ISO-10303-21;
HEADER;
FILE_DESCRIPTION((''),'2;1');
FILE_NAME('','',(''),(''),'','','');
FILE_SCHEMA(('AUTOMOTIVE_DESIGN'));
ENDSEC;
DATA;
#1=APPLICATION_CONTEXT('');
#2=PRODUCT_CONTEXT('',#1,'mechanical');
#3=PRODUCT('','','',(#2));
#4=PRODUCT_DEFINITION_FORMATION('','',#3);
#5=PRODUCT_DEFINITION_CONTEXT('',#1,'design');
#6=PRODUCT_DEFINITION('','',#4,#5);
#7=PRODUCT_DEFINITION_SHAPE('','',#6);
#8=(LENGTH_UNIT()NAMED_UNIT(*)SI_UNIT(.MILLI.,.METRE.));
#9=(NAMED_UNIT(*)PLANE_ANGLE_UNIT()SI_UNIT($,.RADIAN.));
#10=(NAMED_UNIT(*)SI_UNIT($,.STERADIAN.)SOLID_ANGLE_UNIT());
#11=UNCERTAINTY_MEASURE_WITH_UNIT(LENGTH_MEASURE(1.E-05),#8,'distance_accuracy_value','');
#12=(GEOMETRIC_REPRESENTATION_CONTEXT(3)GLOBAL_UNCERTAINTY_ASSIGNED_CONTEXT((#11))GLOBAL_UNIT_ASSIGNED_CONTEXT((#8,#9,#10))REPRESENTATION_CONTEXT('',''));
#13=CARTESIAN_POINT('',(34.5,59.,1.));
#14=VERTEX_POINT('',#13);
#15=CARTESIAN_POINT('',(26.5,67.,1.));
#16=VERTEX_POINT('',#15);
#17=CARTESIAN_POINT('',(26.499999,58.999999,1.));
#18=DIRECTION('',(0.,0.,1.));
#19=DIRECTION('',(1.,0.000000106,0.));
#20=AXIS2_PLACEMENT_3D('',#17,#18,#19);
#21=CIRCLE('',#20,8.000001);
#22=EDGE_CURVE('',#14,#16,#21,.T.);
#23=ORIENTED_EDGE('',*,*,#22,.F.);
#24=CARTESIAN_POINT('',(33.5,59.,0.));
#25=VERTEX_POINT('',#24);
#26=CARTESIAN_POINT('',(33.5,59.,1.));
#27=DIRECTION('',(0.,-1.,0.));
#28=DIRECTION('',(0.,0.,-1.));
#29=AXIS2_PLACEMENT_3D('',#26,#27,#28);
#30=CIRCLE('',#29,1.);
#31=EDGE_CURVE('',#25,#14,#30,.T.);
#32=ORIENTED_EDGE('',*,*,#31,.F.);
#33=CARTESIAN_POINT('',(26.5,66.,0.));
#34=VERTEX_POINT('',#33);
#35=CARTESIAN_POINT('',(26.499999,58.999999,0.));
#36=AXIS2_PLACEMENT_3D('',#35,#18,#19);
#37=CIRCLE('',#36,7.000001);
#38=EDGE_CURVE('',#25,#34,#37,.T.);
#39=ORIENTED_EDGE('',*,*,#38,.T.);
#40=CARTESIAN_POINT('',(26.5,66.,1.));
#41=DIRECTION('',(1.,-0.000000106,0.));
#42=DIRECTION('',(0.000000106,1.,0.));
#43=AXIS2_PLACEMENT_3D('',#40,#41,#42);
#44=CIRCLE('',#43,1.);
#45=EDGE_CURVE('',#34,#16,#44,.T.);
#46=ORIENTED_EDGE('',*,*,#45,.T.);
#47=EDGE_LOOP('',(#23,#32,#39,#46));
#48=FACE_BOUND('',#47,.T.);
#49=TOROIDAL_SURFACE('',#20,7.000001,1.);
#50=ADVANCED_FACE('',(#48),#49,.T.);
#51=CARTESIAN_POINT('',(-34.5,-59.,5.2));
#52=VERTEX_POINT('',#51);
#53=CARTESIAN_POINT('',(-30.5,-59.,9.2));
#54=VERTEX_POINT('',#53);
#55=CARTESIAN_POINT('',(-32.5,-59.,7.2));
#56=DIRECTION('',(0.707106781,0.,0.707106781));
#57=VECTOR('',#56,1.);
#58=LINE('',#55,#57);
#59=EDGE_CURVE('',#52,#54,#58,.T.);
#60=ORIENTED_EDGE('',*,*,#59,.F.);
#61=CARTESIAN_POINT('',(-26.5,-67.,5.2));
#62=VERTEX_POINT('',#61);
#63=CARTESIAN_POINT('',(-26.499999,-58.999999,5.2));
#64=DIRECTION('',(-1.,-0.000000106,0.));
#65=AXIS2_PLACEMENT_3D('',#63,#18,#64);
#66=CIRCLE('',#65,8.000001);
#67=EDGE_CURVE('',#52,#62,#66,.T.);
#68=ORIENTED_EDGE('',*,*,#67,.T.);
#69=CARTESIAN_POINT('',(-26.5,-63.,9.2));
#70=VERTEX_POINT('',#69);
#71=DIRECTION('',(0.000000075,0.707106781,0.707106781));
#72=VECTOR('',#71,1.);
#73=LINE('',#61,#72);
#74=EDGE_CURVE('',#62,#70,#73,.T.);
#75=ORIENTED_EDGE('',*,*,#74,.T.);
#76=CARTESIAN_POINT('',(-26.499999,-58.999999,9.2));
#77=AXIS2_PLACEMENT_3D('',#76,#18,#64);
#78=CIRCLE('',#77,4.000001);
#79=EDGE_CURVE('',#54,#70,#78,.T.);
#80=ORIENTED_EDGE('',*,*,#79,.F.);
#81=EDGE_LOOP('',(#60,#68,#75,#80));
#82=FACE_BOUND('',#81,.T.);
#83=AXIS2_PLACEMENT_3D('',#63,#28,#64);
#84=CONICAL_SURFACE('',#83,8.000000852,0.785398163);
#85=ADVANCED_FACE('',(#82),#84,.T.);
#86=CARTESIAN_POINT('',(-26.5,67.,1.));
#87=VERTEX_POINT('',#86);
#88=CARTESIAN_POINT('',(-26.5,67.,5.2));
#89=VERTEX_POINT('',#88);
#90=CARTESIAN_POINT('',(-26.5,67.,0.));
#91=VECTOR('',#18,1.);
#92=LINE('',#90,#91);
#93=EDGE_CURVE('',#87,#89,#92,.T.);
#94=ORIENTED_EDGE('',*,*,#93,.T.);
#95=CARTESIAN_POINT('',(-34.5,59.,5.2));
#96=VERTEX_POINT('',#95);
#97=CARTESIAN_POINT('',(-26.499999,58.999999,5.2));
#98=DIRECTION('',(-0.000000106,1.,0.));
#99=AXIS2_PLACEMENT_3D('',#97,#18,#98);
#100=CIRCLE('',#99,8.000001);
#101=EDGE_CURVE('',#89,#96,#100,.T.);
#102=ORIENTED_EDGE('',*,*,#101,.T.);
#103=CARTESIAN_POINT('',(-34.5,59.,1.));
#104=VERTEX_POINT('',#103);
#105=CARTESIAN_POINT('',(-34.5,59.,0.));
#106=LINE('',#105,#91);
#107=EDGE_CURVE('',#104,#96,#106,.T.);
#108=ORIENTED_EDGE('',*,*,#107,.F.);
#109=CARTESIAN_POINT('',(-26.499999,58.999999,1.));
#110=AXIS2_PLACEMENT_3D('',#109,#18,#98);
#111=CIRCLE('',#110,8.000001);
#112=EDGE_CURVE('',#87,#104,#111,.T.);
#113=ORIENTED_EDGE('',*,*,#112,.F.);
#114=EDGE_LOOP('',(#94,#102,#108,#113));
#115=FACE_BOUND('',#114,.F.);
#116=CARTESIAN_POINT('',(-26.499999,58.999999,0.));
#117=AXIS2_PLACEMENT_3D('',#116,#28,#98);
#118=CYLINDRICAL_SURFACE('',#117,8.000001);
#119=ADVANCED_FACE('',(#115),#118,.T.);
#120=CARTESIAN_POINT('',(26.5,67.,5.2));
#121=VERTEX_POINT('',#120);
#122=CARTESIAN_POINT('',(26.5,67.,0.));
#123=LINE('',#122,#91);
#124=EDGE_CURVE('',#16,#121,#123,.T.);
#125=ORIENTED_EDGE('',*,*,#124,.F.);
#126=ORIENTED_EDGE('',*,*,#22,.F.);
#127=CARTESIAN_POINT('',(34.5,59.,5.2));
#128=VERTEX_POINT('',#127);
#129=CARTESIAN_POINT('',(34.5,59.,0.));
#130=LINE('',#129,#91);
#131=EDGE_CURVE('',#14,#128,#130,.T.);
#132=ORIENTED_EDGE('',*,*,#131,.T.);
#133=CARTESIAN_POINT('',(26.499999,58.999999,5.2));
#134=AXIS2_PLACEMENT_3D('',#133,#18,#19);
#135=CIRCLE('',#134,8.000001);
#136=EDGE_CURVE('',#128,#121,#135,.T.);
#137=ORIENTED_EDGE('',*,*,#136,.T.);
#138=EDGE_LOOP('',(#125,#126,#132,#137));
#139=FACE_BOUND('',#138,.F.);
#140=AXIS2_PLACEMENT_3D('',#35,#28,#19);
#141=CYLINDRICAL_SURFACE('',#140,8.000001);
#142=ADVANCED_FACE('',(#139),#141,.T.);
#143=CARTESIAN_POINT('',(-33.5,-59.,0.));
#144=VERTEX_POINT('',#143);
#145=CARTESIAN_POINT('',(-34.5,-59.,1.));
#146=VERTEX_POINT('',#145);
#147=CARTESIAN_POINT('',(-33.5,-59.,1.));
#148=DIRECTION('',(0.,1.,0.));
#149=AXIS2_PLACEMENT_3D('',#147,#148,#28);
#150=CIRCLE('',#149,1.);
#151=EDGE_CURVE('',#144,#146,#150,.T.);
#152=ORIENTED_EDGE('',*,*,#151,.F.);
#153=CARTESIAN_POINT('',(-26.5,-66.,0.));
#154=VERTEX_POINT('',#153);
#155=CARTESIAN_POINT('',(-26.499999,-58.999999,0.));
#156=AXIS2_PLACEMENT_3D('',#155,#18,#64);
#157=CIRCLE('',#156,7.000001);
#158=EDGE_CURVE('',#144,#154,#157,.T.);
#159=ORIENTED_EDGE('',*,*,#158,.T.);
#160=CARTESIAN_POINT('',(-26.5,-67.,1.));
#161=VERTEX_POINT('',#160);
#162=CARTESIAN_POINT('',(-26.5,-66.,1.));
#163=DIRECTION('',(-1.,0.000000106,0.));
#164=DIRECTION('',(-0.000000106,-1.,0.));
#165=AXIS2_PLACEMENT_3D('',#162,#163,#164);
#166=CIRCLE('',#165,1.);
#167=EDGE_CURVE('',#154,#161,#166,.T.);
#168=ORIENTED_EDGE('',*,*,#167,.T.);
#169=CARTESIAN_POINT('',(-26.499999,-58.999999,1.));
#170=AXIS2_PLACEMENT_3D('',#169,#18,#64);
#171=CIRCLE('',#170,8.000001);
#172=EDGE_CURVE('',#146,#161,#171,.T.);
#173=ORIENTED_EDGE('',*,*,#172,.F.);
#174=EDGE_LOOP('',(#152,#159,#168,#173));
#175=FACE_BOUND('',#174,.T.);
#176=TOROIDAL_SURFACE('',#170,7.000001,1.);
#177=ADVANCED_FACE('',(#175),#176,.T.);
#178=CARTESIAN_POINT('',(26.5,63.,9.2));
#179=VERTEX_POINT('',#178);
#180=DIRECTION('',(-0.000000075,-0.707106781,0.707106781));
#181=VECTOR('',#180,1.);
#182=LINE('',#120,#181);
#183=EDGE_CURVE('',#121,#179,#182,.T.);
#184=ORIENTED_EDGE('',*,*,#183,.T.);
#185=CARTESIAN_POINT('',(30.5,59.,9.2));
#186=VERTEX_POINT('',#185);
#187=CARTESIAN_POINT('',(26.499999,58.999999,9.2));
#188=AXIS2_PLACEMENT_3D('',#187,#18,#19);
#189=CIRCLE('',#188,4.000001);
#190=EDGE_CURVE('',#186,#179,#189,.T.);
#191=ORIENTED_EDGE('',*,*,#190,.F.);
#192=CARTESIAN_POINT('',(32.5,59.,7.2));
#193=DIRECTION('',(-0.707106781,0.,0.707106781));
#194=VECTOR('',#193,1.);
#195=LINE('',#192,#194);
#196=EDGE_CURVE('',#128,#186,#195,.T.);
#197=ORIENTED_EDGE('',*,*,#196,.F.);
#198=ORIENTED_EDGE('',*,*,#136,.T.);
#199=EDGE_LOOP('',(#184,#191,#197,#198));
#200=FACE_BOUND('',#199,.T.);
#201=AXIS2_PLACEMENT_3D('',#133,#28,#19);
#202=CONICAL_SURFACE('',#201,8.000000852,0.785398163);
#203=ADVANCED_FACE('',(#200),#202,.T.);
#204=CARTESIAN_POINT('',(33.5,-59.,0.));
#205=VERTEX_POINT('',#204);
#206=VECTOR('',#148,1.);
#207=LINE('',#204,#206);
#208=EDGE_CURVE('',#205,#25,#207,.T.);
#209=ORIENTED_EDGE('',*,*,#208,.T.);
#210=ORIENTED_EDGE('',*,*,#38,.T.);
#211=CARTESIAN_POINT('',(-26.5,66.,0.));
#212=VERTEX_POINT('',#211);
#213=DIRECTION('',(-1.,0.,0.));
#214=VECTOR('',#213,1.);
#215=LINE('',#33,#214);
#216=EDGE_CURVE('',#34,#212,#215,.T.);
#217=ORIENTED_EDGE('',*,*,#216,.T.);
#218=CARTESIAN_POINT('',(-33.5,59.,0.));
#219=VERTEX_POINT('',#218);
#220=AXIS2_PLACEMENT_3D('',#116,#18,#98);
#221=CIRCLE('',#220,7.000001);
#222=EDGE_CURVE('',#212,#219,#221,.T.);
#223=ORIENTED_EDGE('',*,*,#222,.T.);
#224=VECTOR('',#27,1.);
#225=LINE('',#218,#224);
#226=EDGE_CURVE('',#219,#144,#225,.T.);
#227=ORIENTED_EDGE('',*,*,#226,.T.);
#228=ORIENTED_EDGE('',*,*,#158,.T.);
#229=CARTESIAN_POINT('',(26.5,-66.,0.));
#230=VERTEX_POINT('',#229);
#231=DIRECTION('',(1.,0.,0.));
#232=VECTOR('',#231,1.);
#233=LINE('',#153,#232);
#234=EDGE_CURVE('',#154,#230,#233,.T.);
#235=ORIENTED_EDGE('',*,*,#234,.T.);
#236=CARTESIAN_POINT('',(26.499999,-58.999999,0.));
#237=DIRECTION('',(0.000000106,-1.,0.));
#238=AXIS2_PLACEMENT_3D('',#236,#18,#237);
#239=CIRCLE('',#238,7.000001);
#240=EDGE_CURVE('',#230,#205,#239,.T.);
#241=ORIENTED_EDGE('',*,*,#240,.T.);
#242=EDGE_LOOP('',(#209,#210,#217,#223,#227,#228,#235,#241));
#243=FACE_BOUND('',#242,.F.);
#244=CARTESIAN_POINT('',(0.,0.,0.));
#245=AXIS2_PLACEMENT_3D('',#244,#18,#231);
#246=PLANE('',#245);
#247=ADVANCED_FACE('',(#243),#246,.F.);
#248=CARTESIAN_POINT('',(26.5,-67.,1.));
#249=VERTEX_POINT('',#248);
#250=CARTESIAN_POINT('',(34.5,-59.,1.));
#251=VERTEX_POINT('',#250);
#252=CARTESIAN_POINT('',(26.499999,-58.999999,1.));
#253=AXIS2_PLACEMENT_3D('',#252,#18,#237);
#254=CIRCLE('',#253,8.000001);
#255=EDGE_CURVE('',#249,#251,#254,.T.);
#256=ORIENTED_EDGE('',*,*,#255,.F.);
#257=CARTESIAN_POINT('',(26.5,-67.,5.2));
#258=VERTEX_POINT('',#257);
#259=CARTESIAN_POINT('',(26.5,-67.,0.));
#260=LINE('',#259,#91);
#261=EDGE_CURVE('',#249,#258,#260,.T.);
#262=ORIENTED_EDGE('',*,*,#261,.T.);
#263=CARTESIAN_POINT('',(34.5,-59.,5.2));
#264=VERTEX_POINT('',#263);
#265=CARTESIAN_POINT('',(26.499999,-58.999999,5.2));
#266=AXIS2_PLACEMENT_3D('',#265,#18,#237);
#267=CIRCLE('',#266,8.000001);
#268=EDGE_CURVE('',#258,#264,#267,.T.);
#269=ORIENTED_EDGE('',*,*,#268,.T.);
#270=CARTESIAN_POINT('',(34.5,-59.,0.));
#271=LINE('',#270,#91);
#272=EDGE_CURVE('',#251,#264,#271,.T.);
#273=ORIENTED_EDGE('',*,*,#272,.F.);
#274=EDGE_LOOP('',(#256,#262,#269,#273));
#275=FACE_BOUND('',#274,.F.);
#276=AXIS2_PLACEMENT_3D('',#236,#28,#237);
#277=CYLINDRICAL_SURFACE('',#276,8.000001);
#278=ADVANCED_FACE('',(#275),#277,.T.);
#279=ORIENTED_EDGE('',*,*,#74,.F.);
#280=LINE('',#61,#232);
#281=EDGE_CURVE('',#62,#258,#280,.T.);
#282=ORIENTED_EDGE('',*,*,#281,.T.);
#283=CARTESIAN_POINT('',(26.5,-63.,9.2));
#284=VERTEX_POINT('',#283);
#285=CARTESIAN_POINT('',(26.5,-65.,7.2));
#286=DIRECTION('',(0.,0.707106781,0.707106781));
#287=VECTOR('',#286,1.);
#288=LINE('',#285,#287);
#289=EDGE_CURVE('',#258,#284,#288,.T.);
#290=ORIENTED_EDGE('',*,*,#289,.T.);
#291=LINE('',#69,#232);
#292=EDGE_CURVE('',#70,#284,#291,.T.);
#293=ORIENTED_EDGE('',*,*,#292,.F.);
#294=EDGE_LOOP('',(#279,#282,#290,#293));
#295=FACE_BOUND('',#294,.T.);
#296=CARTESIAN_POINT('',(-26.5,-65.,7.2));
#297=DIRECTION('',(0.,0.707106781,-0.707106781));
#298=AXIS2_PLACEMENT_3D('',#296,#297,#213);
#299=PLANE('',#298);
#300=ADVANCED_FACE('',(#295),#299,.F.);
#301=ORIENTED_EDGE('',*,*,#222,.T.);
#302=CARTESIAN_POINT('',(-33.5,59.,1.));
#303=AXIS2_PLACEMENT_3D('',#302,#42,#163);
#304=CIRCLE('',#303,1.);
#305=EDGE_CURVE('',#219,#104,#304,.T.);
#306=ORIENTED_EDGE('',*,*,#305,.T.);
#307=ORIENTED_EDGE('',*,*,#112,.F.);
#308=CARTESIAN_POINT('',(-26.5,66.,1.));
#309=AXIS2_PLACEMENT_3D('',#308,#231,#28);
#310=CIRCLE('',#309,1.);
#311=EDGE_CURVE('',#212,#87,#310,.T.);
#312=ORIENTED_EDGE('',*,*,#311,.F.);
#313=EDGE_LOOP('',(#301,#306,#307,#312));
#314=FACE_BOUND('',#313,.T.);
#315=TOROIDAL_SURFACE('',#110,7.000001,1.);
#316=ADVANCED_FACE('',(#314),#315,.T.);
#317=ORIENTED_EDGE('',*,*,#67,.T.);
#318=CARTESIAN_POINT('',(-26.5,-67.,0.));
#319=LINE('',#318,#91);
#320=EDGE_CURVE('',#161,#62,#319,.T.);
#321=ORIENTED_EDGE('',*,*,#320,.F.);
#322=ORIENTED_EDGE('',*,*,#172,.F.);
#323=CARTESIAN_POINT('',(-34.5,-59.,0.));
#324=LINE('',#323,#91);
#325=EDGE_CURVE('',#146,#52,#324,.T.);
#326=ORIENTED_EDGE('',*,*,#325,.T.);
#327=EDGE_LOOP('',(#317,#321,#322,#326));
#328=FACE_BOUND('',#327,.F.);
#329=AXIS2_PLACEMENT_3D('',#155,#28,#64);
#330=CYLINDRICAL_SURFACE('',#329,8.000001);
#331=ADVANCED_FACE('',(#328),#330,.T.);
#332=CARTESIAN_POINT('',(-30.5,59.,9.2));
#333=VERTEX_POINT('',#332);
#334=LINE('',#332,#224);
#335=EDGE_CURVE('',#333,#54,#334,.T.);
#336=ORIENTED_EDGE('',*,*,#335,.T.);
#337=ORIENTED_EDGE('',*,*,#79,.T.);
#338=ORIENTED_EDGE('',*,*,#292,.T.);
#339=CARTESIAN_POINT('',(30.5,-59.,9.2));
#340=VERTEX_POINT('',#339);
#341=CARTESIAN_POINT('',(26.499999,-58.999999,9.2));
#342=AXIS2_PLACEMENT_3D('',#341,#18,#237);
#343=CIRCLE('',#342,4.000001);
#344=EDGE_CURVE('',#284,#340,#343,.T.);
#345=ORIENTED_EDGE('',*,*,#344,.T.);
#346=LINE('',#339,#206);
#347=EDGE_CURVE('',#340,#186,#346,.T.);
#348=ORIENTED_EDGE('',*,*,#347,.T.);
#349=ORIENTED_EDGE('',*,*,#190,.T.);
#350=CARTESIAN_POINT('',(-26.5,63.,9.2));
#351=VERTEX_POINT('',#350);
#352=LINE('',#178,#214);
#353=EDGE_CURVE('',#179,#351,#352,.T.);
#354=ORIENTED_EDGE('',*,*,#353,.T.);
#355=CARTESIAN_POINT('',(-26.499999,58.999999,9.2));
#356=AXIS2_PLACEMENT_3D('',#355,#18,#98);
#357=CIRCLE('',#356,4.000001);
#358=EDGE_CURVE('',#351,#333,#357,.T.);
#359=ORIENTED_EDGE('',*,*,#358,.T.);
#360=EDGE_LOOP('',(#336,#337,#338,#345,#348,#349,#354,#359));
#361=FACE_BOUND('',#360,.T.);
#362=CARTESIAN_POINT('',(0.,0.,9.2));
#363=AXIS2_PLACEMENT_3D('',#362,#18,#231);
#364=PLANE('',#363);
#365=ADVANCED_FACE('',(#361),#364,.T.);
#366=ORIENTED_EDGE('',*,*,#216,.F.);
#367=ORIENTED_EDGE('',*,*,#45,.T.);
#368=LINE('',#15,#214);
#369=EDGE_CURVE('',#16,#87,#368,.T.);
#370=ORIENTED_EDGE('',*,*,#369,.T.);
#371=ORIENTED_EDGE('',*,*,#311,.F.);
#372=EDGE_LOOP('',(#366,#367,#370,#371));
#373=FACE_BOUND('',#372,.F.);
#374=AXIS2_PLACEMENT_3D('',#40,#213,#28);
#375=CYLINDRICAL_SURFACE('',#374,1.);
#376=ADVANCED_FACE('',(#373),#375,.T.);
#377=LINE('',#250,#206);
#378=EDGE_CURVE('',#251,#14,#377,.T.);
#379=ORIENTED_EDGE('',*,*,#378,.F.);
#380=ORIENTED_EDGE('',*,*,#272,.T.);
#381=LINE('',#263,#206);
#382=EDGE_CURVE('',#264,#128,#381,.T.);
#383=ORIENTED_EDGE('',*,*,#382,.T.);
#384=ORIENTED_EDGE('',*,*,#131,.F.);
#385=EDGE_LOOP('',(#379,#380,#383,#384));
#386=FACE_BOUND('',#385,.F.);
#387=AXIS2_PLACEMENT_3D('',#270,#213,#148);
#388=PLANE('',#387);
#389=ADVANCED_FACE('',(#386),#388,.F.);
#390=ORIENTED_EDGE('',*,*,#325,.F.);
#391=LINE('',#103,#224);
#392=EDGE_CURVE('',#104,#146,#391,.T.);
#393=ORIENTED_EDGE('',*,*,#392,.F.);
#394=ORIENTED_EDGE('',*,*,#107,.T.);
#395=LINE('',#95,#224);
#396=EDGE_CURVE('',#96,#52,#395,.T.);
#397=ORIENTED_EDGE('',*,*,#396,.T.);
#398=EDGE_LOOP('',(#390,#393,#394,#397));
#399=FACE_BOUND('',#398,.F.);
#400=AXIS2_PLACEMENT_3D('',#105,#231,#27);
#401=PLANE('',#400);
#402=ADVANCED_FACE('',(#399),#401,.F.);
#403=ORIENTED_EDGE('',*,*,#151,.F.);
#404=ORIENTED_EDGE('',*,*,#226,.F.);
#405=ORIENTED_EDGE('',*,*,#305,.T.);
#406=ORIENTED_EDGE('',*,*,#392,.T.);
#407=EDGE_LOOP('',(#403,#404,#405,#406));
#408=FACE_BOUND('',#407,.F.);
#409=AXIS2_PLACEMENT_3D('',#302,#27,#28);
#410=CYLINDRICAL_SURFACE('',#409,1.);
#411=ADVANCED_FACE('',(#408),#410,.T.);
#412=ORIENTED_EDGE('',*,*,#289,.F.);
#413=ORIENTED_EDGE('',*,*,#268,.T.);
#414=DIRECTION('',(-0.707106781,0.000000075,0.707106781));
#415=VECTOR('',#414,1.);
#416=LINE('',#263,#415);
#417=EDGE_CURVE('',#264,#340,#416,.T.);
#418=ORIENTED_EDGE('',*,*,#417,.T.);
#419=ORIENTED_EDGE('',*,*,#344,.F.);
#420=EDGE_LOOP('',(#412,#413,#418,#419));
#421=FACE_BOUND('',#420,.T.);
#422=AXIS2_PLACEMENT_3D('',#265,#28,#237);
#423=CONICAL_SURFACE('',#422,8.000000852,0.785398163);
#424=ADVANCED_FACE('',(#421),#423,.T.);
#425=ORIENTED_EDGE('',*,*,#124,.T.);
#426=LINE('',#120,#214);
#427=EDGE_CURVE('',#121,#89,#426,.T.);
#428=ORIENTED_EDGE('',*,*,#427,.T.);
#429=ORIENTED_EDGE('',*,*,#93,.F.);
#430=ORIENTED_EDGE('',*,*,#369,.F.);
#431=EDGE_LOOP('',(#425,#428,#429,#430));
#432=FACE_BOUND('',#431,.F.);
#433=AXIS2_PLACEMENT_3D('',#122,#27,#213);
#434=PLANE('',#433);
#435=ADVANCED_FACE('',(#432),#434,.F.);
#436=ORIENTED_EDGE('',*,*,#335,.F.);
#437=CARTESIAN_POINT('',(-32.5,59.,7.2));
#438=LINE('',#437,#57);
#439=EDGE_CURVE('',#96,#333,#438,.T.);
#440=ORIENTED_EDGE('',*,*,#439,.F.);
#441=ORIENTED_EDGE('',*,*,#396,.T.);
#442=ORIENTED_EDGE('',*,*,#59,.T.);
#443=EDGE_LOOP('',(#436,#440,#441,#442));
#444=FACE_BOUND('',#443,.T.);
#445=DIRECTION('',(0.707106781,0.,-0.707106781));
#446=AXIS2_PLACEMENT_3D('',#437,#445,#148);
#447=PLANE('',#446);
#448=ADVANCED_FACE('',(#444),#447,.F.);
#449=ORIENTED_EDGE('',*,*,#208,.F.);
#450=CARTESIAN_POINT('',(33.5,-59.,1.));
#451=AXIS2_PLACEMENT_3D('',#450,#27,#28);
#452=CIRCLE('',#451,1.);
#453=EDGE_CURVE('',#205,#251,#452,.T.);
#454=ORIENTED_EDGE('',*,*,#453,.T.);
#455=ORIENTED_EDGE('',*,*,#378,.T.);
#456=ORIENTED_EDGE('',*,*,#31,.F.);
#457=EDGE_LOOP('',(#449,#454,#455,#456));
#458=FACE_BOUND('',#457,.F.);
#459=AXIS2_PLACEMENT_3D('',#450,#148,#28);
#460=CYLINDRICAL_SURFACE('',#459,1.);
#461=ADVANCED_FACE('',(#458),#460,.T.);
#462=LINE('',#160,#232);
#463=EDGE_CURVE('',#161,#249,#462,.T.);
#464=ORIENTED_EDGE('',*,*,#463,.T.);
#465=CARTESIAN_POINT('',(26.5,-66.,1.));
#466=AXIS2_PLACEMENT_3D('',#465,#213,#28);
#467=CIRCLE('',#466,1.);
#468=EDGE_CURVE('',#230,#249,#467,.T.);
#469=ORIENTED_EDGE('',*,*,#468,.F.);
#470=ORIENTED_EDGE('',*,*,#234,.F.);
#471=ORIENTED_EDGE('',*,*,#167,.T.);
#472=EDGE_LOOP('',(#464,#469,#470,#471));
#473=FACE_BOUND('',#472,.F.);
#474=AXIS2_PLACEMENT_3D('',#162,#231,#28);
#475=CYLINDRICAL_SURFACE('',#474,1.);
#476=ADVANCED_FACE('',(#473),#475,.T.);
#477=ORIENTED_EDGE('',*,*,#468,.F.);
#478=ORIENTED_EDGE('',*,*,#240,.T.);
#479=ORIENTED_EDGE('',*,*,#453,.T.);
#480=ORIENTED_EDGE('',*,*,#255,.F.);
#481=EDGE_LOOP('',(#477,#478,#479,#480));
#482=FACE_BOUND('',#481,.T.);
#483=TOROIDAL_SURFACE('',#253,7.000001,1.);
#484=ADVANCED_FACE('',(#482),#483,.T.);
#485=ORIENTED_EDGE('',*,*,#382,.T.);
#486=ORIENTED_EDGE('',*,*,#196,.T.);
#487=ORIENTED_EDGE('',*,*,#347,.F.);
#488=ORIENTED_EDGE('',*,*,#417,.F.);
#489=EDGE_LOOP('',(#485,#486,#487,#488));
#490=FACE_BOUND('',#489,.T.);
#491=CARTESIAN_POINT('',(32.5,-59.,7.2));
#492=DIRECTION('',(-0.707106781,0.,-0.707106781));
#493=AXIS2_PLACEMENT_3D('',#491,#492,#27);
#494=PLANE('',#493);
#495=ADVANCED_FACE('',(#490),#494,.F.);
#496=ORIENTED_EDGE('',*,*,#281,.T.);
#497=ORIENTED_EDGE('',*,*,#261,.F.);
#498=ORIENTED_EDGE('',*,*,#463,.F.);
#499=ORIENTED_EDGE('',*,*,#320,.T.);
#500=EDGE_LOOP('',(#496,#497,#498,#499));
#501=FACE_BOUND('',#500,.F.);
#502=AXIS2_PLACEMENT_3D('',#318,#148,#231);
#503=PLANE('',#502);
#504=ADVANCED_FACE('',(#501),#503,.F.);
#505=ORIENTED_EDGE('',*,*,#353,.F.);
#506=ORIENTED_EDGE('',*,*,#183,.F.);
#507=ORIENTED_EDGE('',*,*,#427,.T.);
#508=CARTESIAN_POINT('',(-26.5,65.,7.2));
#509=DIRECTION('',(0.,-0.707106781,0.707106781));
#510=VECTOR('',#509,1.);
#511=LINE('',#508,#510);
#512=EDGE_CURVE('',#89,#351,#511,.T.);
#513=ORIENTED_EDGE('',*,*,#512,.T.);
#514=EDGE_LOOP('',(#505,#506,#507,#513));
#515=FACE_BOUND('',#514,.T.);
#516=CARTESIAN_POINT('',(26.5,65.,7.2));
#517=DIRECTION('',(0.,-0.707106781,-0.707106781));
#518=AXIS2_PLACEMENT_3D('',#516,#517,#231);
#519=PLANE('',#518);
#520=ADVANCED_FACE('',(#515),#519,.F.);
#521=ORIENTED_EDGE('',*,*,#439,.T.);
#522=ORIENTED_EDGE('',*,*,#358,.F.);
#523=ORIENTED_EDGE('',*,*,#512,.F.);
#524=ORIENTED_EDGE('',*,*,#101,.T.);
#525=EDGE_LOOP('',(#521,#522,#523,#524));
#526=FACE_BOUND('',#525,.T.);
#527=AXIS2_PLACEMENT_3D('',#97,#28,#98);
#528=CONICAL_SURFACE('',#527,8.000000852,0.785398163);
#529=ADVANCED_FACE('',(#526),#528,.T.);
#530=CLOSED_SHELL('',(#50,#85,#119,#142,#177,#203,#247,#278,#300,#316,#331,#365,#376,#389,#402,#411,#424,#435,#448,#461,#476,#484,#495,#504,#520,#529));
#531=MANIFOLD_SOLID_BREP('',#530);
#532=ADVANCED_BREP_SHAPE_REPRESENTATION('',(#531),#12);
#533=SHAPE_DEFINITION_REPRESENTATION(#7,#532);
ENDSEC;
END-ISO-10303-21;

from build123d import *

# Parameters (mm, degrees)
F1_DEPTH = 9.2
F2_SIZE  = 4
F3_R     = 1


with BuildPart() as f1:
    # F0 (on Top) → F1 (new body)
    with BuildSketch(Plane.XY):
        with BuildLine():
            Line((26.5, 67), (-26.5, 67))
            ThreePointArc((-26.5, 67), (-32.156854, 64.656854), (-34.5, 59))
            Line((-34.5, 59), (-34.5, -59))
            ThreePointArc((-34.5, -59), (-32.156854, -64.656854), (-26.5, -67))
            Line((-26.5, -67), (26.5, -67))
            ThreePointArc((26.5, -67), (32.156854, -64.656854), (34.5, -59))
            Line((34.5, -59), (34.5, 59))
            ThreePointArc((34.5, 59), (32.156854, 64.656854), (26.5, 67))
        make_face()
    extrude(amount=F1_DEPTH)

    # F2
    f2_edges = [f1.edges().sort_by_distance(p)[0] for p in [
        (-34.5, 0, 9.2),
    ]]
    chamfer(f2_edges, length=F2_SIZE)

    # F3
    f3_edges = [f1.edges().sort_by_distance(p)[0] for p in [
        (34.5, 0, 0),
    ]]
    fillet(f3_edges, radius=F3_R)


solid = f1.part
